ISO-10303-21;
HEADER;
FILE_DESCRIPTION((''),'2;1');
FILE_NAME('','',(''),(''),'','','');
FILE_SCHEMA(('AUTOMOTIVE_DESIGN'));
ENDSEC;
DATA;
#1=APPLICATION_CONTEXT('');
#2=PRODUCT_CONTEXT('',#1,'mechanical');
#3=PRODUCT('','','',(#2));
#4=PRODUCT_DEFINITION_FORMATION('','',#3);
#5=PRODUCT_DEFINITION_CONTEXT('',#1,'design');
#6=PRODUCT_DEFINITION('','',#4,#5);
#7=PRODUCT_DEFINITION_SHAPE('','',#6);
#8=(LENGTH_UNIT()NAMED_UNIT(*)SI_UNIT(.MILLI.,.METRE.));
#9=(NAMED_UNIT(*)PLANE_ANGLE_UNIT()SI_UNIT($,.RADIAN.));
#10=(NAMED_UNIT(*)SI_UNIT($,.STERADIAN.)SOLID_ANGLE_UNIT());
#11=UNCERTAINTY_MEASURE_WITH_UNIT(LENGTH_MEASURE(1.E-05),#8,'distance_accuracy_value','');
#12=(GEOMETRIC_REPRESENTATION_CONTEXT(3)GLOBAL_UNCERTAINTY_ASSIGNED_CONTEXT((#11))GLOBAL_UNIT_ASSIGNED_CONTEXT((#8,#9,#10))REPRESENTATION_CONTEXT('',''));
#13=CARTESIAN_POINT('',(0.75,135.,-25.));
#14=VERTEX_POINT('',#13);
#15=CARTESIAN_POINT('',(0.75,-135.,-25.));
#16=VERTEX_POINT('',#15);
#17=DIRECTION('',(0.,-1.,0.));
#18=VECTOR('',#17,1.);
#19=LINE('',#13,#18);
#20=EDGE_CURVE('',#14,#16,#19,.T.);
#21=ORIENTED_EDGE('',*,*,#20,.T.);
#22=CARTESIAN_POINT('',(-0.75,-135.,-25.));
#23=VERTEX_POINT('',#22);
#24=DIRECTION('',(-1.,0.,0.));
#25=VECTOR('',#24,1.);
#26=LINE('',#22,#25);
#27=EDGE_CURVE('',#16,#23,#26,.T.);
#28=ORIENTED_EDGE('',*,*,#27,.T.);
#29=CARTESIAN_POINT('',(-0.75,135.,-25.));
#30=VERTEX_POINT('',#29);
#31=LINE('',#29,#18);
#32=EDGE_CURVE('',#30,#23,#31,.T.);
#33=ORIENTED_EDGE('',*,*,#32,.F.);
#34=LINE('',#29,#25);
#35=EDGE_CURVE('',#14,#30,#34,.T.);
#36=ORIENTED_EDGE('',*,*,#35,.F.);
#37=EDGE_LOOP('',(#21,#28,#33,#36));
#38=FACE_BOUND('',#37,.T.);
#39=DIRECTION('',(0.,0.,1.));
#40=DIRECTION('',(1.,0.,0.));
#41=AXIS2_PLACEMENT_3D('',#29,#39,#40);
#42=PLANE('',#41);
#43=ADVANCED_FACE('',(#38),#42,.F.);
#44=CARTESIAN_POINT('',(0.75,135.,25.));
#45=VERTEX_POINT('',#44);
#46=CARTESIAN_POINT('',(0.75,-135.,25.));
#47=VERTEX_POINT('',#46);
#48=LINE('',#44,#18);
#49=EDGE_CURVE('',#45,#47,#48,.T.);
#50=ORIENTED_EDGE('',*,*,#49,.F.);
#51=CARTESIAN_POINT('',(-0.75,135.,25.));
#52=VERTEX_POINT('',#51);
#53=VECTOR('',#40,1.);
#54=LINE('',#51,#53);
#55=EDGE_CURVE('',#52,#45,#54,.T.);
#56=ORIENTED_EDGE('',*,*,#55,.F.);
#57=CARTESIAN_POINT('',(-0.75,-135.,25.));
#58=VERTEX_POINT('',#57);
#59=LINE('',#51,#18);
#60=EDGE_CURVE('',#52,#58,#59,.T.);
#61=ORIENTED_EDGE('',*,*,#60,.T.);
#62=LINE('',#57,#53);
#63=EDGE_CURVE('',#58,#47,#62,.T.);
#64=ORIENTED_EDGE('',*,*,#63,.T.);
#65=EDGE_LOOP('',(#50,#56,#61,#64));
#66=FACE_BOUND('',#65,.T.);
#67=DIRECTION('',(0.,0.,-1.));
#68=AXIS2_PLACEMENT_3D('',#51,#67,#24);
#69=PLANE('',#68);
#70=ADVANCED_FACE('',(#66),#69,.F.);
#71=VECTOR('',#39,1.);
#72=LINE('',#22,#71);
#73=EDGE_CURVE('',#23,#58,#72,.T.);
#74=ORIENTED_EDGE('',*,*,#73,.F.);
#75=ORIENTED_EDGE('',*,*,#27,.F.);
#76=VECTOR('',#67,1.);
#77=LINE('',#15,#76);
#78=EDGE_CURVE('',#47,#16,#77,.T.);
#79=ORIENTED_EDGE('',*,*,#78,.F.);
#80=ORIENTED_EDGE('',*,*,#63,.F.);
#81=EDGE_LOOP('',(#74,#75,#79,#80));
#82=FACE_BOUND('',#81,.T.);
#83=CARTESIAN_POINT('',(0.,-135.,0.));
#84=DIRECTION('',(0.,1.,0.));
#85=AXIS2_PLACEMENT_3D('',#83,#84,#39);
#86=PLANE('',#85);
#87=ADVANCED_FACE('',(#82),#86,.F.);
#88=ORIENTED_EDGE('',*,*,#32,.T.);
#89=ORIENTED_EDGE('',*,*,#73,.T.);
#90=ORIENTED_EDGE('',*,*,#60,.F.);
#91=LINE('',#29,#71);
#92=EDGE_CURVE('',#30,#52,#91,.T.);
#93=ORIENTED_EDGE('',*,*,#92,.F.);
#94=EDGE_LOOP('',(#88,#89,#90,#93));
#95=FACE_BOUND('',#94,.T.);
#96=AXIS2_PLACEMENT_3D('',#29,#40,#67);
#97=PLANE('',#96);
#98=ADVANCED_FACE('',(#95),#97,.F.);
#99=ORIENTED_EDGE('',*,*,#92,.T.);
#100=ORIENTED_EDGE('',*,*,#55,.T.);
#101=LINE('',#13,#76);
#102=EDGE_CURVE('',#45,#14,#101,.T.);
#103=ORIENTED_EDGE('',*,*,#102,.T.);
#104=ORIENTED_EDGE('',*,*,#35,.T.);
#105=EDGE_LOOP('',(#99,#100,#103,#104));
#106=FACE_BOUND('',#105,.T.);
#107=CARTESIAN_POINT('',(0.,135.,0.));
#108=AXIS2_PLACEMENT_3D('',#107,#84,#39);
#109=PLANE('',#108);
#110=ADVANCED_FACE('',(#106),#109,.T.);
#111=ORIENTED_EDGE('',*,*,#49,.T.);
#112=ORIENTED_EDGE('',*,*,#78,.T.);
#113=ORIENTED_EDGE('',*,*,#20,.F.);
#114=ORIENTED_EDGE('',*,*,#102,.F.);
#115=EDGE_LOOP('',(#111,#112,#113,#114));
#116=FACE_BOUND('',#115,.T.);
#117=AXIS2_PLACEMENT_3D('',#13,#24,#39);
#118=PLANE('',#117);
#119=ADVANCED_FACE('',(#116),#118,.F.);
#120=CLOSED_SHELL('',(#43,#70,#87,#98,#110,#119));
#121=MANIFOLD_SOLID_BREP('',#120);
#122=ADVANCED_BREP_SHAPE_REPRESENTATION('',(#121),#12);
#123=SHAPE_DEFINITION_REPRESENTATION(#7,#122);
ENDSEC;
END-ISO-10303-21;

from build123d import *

# Parameters (mm, degrees)
SKETCH1_W           = 1.5
SKETCH1_H           = 50
BOSS_EXTRUDE1_DEPTH = 135


with BuildPart() as part:
    # Sketch1 → Boss-Extrude1 (new body, symmetric)
    with BuildSketch(Plane(origin=(0, 0, 0), x_dir=(1, 0, 0), z_dir=(0, 1, 0))):
        Rectangle(SKETCH1_W, SKETCH1_H)
    extrude(amount=BOSS_EXTRUDE1_DEPTH, both=True)


solid = part.part
